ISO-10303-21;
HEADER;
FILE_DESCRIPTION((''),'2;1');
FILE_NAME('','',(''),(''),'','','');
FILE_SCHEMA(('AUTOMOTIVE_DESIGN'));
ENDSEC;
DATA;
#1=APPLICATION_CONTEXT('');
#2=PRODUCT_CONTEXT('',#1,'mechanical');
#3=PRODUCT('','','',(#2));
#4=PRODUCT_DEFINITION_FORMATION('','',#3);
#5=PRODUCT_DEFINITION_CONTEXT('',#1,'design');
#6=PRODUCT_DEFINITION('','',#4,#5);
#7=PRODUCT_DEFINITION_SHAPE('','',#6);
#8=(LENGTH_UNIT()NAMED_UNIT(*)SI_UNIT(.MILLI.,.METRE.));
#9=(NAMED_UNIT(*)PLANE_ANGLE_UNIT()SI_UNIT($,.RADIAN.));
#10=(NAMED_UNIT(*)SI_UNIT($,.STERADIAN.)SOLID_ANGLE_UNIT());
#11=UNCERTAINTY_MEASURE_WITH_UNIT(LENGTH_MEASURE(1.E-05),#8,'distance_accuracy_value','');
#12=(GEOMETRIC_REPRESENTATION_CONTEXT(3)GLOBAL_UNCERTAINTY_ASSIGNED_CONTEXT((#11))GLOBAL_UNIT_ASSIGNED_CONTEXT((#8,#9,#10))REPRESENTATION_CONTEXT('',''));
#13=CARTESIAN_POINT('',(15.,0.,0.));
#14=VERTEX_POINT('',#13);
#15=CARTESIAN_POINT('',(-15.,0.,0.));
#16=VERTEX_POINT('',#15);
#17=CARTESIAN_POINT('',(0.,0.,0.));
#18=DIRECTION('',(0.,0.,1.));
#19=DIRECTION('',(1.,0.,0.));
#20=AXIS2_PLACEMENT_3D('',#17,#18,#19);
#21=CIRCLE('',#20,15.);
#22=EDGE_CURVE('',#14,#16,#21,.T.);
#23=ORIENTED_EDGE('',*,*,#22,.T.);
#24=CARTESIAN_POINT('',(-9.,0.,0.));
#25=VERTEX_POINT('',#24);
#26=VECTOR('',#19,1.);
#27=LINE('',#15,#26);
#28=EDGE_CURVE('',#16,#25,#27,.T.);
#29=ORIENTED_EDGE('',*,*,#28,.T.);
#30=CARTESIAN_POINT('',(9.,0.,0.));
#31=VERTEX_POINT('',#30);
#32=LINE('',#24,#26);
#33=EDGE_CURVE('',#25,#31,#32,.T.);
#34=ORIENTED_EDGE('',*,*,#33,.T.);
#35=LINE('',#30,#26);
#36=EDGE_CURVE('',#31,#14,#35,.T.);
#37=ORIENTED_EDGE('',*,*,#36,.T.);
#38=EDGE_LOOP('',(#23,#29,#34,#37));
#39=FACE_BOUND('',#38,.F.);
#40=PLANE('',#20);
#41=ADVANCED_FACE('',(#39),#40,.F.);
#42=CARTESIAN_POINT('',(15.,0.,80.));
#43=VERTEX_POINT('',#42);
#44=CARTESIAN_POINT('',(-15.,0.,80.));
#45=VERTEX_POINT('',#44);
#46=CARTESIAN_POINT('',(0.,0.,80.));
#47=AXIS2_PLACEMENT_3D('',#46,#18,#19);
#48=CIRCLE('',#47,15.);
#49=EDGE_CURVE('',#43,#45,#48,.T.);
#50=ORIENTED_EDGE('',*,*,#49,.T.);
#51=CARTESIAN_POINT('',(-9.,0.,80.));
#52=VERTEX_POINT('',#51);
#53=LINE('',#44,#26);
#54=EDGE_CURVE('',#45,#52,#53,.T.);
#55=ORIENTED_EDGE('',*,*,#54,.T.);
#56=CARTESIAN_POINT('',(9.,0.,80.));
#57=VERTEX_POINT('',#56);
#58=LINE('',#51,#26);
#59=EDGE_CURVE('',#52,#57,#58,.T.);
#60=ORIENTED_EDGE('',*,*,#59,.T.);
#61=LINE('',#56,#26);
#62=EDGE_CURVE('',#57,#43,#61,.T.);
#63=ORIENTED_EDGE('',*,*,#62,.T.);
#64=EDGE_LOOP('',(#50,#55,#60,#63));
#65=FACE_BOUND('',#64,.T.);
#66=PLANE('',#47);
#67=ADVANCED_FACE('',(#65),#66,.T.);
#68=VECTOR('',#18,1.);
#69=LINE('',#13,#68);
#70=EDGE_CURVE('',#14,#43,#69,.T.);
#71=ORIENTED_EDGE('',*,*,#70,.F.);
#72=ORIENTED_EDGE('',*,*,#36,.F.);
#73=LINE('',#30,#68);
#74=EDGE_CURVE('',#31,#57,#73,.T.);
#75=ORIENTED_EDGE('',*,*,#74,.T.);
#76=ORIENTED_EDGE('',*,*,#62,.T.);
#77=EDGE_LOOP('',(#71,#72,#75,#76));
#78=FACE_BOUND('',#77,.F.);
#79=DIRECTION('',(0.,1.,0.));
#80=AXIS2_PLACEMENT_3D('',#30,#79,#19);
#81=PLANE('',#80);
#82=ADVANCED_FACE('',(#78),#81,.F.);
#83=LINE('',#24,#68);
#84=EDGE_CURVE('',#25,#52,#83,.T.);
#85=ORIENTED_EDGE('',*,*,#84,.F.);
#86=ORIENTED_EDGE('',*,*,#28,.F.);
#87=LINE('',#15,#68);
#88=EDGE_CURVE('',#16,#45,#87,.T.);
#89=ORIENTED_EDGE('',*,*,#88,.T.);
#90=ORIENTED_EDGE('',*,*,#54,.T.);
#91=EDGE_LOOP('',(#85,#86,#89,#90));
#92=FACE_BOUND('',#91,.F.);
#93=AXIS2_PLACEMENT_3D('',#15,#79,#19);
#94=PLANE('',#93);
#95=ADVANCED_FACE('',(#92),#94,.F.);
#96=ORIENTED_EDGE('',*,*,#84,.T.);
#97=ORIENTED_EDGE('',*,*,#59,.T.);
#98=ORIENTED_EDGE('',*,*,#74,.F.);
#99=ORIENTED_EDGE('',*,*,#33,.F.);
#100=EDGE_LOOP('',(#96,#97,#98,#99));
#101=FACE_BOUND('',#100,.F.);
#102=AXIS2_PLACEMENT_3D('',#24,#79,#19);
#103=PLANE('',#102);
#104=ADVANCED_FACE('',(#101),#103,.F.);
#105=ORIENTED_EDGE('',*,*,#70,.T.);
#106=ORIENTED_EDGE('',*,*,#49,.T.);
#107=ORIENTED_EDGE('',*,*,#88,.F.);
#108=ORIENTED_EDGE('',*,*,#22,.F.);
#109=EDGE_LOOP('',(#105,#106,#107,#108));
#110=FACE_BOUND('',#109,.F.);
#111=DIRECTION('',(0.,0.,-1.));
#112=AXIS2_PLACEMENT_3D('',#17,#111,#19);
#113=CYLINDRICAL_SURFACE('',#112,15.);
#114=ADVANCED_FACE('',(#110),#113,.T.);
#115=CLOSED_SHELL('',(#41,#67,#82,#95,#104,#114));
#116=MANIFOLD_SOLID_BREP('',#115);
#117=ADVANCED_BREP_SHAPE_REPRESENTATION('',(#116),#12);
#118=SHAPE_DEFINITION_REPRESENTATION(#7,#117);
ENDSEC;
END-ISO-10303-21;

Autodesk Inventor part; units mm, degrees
ref_plane "YZ Plane" through (0, 0, 0) normal (1, 0, 0) x (0, 1, 0)
ref_plane "XZ Plane" through (0, 0, 0) normal (0, 1, 0) x (-1, 0, 0)
ref_plane "XY Plane" through (0, 0, 0) normal (0, 0, 1) x (1, 0, 0)
sketch "Sketch2" plane through (0, 0, 0) normal (0, 0, 1) x (1, 0, 0)
  arc A0 (15, 0) -> (-15, 0) centre (0, 0) ccw
  line L0 (-15, 0) -> (-9, 0)
  line L1 (-9, 0) -> (9, 0)
  line L2 (9, 0) -> (15, 0)
extrude "Extrusion2" add sketch "Sketch2" along normal blind 80
properties part number "Semi_cilinder"
